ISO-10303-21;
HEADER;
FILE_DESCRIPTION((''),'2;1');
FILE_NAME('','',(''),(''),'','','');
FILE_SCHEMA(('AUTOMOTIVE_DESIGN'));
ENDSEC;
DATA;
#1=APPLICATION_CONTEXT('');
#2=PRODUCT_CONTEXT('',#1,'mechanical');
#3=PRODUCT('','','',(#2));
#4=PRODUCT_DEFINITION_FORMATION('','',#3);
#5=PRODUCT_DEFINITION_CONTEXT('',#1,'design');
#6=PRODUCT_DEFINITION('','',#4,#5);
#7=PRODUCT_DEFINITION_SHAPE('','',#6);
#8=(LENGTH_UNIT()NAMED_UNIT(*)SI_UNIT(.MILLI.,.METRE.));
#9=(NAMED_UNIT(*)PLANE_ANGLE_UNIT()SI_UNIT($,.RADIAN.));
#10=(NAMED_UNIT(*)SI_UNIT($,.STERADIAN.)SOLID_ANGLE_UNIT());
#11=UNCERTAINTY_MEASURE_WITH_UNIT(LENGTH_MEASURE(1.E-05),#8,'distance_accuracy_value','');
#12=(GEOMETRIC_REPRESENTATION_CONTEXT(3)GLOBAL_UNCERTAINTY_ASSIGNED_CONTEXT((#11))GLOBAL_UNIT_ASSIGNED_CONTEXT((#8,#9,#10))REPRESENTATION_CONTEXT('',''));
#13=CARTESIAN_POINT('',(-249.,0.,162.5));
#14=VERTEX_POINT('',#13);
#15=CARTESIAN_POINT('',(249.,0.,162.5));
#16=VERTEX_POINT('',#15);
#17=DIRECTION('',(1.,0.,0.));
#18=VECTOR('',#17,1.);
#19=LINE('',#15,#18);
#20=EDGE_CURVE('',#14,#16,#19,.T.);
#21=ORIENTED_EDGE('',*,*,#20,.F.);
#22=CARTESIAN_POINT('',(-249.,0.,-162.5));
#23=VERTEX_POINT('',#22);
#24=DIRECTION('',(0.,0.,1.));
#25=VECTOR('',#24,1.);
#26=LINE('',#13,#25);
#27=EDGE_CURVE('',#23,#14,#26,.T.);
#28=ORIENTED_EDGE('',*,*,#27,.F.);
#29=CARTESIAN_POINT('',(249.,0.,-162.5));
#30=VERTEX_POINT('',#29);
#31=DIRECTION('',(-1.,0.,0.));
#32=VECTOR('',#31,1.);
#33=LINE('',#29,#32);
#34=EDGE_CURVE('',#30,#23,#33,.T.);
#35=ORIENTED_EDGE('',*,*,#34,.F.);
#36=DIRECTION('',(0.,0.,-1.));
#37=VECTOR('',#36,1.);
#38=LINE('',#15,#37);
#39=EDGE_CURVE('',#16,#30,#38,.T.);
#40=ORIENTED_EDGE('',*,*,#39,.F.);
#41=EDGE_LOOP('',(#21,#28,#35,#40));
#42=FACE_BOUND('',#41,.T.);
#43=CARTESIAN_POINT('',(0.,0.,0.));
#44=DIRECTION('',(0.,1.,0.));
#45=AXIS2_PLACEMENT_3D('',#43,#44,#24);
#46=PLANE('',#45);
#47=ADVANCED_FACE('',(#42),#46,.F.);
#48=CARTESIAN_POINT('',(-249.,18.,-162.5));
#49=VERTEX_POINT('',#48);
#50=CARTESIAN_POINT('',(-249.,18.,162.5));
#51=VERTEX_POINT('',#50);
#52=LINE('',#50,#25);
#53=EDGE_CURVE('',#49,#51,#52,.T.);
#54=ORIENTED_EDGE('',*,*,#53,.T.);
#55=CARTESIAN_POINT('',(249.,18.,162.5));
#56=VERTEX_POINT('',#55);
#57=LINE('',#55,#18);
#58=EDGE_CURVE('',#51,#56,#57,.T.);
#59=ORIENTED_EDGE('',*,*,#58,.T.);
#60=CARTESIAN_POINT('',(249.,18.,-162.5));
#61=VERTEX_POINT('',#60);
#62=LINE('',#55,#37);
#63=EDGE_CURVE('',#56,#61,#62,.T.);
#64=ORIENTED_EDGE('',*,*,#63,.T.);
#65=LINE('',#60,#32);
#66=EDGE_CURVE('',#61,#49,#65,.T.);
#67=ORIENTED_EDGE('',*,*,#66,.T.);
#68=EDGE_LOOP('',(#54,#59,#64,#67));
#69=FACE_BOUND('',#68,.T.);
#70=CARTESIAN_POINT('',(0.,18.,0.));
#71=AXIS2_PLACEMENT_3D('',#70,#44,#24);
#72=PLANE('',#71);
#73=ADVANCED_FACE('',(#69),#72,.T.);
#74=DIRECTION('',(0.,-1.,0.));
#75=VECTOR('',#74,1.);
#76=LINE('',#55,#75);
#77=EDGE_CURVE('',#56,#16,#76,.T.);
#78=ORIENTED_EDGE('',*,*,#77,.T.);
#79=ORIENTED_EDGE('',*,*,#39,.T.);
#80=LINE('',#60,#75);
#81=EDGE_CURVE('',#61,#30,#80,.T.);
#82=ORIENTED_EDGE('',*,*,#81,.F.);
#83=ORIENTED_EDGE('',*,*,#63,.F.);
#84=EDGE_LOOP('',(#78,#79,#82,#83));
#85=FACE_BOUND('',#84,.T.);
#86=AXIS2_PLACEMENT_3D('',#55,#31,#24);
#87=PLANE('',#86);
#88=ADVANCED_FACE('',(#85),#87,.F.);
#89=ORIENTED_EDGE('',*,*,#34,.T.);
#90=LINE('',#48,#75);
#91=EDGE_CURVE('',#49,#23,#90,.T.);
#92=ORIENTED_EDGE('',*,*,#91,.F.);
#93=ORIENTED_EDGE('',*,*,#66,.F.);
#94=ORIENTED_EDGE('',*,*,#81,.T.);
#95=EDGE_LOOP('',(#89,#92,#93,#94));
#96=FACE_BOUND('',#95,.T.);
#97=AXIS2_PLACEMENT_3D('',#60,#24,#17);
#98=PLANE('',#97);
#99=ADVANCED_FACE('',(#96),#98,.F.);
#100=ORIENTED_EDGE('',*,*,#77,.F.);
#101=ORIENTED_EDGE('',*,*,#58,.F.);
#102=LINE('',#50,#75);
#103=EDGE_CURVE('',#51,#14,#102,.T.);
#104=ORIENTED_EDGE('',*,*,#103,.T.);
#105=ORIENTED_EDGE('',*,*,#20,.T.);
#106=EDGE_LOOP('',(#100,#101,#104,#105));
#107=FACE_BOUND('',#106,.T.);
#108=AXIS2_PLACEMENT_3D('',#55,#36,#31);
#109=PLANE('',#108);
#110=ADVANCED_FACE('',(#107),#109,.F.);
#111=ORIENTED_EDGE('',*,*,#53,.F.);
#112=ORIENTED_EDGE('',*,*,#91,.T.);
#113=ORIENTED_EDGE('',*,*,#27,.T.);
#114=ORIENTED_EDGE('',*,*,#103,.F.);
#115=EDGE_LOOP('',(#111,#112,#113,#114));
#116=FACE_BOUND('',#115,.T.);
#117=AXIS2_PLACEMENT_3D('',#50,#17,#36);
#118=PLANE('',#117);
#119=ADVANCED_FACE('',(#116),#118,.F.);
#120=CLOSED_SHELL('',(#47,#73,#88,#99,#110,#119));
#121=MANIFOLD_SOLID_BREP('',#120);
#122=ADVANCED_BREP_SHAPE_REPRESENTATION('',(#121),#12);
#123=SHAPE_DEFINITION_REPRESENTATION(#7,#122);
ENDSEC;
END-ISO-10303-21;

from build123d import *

# Parameters (mm, degrees)
SKETCH_1_W      = 498
SKETCH_1_H      = 325
EXTRUDE_1_DEPTH = 18


with BuildPart() as part:
    # Эскиз1 → Бобышка-Вытянуть1 (new body)
    with BuildSketch(Plane(origin=(0, 0, 0), x_dir=(1, 0, 0), z_dir=(0, 1, 0))):
        Rectangle(SKETCH_1_W, SKETCH_1_H)
    extrude(amount=EXTRUDE_1_DEPTH)


solid = part.part
